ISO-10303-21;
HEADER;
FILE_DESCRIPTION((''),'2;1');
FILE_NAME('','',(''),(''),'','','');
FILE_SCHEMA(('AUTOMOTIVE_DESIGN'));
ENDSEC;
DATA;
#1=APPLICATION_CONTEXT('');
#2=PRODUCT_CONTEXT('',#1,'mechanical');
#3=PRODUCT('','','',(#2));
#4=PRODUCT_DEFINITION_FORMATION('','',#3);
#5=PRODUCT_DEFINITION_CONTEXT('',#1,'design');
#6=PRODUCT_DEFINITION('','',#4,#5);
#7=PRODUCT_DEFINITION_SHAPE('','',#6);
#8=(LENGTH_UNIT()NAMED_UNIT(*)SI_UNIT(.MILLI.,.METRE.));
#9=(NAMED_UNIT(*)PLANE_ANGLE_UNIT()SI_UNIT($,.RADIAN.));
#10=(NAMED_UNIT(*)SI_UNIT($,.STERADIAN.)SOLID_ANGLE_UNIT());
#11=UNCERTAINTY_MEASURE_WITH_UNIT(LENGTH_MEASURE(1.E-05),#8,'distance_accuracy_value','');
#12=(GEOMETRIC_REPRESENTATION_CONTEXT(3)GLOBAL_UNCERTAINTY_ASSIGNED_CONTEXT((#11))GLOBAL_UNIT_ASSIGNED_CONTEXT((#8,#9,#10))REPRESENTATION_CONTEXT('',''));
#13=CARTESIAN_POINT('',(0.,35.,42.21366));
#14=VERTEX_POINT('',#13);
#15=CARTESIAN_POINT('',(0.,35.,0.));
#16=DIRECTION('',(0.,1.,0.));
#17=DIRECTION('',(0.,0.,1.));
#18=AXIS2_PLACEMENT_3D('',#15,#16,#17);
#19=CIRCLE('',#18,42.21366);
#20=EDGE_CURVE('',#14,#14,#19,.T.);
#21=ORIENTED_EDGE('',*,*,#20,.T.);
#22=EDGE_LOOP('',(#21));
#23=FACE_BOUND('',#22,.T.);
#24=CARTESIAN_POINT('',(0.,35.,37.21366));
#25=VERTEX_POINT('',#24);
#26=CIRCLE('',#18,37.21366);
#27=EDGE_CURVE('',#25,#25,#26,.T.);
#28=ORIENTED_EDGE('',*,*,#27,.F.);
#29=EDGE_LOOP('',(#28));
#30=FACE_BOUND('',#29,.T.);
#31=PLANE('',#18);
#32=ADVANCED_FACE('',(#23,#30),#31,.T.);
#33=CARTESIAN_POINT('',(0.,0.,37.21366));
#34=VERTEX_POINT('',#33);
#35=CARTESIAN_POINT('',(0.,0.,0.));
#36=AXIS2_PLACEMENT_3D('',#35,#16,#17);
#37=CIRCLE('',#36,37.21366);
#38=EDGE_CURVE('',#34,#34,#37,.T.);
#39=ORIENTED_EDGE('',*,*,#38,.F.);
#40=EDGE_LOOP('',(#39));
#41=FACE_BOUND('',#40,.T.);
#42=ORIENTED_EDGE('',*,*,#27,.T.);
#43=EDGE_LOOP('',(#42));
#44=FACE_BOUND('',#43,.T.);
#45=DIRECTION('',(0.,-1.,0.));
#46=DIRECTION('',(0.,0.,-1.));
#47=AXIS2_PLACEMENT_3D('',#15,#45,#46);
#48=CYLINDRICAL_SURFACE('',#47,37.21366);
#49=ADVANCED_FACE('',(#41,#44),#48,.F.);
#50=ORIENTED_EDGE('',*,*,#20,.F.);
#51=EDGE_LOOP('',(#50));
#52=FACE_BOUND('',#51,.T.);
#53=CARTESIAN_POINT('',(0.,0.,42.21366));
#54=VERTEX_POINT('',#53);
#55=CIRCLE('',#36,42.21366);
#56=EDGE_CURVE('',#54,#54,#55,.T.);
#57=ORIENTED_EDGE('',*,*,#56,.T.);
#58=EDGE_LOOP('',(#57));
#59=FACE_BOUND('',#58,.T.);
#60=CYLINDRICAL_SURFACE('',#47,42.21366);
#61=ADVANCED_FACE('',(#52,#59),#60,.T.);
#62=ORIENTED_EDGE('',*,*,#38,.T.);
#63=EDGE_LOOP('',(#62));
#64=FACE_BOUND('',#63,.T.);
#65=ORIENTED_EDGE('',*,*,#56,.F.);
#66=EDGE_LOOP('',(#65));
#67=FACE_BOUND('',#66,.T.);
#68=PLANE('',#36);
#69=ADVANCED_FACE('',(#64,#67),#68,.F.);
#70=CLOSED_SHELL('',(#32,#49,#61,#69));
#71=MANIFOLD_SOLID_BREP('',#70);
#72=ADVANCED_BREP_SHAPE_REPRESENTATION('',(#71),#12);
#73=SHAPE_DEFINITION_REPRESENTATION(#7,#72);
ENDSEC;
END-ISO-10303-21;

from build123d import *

# Parameters (mm, degrees)
SKETCH1_R           = 42.21365986
SKETCH1_R_2         = 37.21365986
BOSS_EXTRUDE1_DEPTH = 35


with BuildPart() as part:
    # Sketch1 → Boss-Extrude1 (new body)
    with BuildSketch(Plane(origin=(0, 0, 0), x_dir=(1, 0, 0), z_dir=(0, 1, 0))):
        with Locations(Location((0, 0, 0), (0, 0, 270))):
            Circle(SKETCH1_R)
        with Locations(Location((0, 0, 0), (0, 0, 270))):
            Circle(SKETCH1_R_2, mode=Mode.SUBTRACT)
    extrude(amount=BOSS_EXTRUDE1_DEPTH)


solid = part.part
